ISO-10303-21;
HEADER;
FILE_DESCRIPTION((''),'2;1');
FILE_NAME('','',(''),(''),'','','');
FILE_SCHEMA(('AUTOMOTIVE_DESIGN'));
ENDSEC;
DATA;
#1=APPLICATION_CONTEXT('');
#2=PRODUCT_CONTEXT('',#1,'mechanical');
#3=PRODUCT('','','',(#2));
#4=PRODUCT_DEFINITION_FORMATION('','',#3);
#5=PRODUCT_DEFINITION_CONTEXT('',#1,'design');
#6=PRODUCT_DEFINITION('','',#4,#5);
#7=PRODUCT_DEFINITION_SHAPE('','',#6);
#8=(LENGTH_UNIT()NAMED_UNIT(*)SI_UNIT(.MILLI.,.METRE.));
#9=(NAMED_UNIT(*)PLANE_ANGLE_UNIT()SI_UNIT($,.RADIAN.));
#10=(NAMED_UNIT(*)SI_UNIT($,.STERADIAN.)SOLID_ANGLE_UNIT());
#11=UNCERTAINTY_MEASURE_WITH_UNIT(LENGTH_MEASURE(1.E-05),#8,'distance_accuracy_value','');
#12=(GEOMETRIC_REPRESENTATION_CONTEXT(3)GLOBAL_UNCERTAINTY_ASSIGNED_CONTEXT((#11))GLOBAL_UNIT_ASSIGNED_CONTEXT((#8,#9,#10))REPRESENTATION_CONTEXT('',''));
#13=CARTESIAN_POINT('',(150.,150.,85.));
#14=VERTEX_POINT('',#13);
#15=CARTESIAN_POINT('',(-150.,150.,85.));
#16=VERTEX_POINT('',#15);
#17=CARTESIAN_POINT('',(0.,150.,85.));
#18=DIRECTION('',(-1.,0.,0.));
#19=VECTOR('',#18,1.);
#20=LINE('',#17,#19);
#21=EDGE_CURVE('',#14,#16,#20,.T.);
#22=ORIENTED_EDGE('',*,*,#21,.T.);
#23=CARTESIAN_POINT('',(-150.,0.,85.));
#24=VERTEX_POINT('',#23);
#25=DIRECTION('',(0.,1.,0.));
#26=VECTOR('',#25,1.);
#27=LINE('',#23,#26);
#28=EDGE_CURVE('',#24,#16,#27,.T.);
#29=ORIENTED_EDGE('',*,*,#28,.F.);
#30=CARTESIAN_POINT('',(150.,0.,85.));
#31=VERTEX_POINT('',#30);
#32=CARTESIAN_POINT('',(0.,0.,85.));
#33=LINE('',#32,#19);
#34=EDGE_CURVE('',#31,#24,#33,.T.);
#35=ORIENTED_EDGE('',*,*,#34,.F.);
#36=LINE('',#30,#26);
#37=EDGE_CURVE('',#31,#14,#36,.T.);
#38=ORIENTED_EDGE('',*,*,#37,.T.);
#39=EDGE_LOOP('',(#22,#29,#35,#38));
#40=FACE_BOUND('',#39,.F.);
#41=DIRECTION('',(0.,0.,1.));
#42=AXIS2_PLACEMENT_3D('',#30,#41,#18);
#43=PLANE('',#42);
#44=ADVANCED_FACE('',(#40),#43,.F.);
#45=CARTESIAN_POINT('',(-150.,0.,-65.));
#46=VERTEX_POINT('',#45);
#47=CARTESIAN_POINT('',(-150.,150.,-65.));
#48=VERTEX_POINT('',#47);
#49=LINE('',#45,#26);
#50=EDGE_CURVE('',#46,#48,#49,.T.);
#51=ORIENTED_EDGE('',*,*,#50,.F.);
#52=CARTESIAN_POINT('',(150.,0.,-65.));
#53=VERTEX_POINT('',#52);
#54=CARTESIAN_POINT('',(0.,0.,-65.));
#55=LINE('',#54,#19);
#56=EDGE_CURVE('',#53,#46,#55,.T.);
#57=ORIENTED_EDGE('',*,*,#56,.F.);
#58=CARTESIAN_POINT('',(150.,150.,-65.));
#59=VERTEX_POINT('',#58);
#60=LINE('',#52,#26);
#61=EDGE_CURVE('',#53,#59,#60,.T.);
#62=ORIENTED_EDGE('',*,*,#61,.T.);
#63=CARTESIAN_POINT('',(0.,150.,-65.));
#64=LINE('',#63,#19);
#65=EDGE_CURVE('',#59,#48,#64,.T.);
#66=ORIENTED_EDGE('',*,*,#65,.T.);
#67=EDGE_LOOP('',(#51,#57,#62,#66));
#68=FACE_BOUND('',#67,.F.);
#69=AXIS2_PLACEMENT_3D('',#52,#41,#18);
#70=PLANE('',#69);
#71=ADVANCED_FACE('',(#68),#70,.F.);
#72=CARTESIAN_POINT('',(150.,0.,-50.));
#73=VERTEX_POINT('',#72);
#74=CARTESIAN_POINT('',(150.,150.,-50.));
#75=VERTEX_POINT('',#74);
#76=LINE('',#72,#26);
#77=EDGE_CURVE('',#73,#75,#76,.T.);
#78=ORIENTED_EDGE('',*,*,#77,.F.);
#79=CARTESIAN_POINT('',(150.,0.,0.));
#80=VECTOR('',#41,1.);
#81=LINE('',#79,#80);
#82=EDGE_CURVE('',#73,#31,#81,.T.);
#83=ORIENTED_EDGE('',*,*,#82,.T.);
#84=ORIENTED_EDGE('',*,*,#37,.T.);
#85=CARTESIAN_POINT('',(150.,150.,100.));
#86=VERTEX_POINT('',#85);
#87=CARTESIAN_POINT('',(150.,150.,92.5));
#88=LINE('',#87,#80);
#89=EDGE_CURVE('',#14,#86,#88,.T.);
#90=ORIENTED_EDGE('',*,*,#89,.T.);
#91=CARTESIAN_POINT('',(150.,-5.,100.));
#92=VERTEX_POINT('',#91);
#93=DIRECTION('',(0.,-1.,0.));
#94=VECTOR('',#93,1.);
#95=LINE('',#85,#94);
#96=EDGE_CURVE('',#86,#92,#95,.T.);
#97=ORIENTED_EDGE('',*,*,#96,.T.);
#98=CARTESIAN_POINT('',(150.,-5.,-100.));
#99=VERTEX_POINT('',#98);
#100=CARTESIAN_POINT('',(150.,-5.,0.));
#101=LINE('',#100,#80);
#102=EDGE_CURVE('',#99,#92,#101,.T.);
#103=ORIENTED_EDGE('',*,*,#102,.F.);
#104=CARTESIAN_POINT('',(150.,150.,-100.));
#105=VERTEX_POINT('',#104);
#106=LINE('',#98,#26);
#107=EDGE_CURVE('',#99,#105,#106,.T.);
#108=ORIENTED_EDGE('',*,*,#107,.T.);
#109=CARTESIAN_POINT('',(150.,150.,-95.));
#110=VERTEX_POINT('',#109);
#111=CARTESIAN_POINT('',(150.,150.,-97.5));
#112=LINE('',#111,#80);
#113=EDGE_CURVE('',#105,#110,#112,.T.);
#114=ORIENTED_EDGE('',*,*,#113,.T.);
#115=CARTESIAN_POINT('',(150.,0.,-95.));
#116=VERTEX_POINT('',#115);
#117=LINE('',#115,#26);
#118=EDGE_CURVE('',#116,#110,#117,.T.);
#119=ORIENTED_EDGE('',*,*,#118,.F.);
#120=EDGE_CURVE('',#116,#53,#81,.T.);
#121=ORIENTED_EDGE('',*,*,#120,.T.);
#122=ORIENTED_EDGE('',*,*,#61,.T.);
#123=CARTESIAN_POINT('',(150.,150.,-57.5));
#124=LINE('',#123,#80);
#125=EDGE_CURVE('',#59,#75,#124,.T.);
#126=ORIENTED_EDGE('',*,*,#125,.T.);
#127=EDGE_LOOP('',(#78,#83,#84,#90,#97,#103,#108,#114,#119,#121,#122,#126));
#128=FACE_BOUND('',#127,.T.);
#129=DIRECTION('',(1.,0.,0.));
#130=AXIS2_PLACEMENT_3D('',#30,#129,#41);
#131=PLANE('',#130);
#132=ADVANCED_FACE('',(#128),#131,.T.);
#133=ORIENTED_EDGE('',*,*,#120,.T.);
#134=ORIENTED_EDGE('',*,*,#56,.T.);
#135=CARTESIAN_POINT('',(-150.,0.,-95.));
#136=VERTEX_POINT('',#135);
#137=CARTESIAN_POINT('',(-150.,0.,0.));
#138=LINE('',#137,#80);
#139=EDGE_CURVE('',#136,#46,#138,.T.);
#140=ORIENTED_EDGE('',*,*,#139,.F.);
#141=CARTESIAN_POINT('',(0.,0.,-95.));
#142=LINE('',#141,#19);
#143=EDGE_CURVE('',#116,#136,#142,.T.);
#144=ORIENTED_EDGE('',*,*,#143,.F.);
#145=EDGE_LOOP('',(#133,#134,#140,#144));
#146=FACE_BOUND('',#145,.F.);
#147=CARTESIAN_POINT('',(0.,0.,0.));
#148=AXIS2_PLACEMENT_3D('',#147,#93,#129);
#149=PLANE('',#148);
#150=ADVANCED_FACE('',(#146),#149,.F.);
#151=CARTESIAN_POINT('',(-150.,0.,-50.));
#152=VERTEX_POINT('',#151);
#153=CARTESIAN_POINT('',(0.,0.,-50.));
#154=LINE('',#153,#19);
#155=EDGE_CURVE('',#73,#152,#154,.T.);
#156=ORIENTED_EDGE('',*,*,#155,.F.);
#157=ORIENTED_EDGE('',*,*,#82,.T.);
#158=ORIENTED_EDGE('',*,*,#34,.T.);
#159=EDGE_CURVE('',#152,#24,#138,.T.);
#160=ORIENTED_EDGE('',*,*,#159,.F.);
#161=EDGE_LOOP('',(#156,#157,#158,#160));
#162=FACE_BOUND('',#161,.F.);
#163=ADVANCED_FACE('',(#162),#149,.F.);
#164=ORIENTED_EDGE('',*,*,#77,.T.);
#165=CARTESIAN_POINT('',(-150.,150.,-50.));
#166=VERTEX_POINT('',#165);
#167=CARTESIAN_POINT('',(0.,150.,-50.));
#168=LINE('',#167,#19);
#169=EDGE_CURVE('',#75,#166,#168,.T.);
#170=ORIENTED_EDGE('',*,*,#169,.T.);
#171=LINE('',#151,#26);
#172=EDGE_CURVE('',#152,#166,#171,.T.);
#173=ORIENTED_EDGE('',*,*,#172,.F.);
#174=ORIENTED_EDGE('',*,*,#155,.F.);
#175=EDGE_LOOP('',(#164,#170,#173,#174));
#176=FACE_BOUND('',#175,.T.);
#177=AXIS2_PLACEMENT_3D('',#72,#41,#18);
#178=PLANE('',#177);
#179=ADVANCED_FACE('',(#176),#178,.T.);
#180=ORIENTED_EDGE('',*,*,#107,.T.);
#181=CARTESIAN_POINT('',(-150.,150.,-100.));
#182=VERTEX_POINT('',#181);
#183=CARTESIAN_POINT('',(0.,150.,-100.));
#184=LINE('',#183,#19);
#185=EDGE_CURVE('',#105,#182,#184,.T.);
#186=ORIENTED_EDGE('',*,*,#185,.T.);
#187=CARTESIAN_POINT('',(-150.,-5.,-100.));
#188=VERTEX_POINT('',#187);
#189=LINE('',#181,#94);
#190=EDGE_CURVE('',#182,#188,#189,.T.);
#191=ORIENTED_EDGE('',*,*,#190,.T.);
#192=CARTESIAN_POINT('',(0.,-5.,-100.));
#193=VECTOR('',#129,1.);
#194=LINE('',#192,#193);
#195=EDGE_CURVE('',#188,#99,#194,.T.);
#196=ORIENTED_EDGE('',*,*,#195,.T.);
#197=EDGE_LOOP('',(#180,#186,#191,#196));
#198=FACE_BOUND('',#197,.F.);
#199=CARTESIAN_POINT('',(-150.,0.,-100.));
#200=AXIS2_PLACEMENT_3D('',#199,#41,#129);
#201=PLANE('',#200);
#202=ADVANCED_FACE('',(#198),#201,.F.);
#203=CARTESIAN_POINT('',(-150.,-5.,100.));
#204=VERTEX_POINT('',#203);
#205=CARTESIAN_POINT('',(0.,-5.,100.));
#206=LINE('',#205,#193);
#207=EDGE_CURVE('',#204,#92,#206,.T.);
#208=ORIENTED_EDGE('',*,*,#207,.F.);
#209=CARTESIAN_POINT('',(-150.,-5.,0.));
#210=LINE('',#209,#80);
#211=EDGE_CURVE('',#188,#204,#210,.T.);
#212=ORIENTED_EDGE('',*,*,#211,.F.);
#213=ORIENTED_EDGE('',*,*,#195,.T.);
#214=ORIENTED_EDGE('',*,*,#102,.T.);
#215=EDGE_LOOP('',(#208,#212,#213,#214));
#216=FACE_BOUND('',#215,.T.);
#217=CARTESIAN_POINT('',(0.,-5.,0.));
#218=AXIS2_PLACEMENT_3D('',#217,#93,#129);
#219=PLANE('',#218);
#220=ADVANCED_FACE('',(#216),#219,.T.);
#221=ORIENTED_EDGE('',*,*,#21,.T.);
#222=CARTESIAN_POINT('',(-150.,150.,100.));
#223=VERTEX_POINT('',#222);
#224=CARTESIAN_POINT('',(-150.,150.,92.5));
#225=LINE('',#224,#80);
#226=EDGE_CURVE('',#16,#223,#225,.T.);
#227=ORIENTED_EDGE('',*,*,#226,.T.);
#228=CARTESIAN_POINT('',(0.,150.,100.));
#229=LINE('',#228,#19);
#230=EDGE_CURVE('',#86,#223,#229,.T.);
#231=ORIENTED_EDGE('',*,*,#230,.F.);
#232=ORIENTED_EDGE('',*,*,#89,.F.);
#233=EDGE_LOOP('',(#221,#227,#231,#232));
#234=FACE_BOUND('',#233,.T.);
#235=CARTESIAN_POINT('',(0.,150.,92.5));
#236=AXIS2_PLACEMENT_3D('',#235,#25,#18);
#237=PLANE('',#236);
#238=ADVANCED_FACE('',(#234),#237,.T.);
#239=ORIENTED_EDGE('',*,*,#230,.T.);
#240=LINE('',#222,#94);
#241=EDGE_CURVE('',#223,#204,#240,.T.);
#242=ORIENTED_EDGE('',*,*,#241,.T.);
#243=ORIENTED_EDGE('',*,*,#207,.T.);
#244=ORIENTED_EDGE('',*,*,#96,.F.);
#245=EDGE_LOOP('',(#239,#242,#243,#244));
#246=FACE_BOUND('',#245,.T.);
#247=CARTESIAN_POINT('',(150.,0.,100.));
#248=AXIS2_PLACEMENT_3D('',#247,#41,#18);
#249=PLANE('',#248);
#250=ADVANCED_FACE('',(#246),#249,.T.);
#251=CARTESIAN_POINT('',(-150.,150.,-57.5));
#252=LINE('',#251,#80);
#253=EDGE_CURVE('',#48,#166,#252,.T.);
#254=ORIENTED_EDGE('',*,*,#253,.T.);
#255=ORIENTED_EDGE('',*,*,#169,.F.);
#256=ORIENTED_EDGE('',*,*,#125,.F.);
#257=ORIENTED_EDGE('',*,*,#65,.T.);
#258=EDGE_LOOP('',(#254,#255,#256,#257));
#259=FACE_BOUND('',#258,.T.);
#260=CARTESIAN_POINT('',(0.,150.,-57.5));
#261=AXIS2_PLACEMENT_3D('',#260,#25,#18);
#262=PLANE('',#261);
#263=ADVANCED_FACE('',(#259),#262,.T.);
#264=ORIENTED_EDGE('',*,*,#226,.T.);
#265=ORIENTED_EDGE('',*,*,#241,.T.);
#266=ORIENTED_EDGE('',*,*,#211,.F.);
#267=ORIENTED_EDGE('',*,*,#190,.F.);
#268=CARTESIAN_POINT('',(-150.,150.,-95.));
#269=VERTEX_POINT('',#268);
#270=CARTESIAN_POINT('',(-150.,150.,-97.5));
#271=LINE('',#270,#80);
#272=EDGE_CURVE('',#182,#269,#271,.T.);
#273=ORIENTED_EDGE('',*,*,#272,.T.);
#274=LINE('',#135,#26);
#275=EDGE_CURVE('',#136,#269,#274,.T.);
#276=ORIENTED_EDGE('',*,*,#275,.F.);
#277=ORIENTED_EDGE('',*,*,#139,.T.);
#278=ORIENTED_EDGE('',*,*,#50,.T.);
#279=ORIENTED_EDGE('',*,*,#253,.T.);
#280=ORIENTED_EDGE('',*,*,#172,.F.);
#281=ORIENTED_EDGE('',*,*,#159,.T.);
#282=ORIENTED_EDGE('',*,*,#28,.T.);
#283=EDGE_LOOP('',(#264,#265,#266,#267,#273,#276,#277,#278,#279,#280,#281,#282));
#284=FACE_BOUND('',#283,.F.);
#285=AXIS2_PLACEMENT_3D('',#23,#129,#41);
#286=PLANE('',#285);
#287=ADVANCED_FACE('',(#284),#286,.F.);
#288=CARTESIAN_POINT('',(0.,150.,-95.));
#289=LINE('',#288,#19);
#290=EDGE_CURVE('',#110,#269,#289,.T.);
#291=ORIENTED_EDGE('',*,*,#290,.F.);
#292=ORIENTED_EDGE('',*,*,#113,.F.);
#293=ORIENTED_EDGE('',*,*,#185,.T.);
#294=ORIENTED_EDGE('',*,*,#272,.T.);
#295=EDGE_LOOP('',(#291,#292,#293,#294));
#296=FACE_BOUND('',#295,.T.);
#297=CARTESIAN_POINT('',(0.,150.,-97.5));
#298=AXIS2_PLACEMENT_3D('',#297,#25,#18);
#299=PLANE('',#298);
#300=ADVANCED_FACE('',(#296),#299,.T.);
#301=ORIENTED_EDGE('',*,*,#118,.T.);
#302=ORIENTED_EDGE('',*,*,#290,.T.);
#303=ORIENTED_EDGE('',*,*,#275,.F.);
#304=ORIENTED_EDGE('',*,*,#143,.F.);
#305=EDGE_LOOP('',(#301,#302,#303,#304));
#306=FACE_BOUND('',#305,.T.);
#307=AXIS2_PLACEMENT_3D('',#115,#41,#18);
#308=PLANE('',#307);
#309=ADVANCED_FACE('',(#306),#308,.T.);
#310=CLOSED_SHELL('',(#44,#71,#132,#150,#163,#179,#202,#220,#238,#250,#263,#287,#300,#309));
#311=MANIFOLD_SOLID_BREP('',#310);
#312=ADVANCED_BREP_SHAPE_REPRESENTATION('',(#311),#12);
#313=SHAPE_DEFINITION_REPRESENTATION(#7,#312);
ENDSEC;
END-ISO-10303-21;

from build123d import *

# Parameters (mm, degrees)
F0_W     = 300
F0_H     = 200
F1_DEPTH = 5
F2_W     = 300
F2_H     = 15
F2_H_2   = 5
F3_DEPTH = 150


with BuildPart() as f1:
    # F0 (on Front) → F1 (new body)
    with BuildSketch(Plane.XZ):
        Rectangle(F0_W, F0_H)
    extrude(amount=F1_DEPTH)

    # F2 (on face) → F3 (join)
    with BuildSketch(Plane(origin=(0, 0, 0), x_dir=(-1, 0, 0), z_dir=(0, 1, 0))):
        with Locations((0, 92.5)):
            Rectangle(F2_W, F2_H)
        with Locations((0, -57.5)):
            Rectangle(F2_W, F2_H)
        with Locations((0, -97.5)):
            Rectangle(F2_W, F2_H_2)
    extrude(amount=F3_DEPTH)


solid = f1.part
